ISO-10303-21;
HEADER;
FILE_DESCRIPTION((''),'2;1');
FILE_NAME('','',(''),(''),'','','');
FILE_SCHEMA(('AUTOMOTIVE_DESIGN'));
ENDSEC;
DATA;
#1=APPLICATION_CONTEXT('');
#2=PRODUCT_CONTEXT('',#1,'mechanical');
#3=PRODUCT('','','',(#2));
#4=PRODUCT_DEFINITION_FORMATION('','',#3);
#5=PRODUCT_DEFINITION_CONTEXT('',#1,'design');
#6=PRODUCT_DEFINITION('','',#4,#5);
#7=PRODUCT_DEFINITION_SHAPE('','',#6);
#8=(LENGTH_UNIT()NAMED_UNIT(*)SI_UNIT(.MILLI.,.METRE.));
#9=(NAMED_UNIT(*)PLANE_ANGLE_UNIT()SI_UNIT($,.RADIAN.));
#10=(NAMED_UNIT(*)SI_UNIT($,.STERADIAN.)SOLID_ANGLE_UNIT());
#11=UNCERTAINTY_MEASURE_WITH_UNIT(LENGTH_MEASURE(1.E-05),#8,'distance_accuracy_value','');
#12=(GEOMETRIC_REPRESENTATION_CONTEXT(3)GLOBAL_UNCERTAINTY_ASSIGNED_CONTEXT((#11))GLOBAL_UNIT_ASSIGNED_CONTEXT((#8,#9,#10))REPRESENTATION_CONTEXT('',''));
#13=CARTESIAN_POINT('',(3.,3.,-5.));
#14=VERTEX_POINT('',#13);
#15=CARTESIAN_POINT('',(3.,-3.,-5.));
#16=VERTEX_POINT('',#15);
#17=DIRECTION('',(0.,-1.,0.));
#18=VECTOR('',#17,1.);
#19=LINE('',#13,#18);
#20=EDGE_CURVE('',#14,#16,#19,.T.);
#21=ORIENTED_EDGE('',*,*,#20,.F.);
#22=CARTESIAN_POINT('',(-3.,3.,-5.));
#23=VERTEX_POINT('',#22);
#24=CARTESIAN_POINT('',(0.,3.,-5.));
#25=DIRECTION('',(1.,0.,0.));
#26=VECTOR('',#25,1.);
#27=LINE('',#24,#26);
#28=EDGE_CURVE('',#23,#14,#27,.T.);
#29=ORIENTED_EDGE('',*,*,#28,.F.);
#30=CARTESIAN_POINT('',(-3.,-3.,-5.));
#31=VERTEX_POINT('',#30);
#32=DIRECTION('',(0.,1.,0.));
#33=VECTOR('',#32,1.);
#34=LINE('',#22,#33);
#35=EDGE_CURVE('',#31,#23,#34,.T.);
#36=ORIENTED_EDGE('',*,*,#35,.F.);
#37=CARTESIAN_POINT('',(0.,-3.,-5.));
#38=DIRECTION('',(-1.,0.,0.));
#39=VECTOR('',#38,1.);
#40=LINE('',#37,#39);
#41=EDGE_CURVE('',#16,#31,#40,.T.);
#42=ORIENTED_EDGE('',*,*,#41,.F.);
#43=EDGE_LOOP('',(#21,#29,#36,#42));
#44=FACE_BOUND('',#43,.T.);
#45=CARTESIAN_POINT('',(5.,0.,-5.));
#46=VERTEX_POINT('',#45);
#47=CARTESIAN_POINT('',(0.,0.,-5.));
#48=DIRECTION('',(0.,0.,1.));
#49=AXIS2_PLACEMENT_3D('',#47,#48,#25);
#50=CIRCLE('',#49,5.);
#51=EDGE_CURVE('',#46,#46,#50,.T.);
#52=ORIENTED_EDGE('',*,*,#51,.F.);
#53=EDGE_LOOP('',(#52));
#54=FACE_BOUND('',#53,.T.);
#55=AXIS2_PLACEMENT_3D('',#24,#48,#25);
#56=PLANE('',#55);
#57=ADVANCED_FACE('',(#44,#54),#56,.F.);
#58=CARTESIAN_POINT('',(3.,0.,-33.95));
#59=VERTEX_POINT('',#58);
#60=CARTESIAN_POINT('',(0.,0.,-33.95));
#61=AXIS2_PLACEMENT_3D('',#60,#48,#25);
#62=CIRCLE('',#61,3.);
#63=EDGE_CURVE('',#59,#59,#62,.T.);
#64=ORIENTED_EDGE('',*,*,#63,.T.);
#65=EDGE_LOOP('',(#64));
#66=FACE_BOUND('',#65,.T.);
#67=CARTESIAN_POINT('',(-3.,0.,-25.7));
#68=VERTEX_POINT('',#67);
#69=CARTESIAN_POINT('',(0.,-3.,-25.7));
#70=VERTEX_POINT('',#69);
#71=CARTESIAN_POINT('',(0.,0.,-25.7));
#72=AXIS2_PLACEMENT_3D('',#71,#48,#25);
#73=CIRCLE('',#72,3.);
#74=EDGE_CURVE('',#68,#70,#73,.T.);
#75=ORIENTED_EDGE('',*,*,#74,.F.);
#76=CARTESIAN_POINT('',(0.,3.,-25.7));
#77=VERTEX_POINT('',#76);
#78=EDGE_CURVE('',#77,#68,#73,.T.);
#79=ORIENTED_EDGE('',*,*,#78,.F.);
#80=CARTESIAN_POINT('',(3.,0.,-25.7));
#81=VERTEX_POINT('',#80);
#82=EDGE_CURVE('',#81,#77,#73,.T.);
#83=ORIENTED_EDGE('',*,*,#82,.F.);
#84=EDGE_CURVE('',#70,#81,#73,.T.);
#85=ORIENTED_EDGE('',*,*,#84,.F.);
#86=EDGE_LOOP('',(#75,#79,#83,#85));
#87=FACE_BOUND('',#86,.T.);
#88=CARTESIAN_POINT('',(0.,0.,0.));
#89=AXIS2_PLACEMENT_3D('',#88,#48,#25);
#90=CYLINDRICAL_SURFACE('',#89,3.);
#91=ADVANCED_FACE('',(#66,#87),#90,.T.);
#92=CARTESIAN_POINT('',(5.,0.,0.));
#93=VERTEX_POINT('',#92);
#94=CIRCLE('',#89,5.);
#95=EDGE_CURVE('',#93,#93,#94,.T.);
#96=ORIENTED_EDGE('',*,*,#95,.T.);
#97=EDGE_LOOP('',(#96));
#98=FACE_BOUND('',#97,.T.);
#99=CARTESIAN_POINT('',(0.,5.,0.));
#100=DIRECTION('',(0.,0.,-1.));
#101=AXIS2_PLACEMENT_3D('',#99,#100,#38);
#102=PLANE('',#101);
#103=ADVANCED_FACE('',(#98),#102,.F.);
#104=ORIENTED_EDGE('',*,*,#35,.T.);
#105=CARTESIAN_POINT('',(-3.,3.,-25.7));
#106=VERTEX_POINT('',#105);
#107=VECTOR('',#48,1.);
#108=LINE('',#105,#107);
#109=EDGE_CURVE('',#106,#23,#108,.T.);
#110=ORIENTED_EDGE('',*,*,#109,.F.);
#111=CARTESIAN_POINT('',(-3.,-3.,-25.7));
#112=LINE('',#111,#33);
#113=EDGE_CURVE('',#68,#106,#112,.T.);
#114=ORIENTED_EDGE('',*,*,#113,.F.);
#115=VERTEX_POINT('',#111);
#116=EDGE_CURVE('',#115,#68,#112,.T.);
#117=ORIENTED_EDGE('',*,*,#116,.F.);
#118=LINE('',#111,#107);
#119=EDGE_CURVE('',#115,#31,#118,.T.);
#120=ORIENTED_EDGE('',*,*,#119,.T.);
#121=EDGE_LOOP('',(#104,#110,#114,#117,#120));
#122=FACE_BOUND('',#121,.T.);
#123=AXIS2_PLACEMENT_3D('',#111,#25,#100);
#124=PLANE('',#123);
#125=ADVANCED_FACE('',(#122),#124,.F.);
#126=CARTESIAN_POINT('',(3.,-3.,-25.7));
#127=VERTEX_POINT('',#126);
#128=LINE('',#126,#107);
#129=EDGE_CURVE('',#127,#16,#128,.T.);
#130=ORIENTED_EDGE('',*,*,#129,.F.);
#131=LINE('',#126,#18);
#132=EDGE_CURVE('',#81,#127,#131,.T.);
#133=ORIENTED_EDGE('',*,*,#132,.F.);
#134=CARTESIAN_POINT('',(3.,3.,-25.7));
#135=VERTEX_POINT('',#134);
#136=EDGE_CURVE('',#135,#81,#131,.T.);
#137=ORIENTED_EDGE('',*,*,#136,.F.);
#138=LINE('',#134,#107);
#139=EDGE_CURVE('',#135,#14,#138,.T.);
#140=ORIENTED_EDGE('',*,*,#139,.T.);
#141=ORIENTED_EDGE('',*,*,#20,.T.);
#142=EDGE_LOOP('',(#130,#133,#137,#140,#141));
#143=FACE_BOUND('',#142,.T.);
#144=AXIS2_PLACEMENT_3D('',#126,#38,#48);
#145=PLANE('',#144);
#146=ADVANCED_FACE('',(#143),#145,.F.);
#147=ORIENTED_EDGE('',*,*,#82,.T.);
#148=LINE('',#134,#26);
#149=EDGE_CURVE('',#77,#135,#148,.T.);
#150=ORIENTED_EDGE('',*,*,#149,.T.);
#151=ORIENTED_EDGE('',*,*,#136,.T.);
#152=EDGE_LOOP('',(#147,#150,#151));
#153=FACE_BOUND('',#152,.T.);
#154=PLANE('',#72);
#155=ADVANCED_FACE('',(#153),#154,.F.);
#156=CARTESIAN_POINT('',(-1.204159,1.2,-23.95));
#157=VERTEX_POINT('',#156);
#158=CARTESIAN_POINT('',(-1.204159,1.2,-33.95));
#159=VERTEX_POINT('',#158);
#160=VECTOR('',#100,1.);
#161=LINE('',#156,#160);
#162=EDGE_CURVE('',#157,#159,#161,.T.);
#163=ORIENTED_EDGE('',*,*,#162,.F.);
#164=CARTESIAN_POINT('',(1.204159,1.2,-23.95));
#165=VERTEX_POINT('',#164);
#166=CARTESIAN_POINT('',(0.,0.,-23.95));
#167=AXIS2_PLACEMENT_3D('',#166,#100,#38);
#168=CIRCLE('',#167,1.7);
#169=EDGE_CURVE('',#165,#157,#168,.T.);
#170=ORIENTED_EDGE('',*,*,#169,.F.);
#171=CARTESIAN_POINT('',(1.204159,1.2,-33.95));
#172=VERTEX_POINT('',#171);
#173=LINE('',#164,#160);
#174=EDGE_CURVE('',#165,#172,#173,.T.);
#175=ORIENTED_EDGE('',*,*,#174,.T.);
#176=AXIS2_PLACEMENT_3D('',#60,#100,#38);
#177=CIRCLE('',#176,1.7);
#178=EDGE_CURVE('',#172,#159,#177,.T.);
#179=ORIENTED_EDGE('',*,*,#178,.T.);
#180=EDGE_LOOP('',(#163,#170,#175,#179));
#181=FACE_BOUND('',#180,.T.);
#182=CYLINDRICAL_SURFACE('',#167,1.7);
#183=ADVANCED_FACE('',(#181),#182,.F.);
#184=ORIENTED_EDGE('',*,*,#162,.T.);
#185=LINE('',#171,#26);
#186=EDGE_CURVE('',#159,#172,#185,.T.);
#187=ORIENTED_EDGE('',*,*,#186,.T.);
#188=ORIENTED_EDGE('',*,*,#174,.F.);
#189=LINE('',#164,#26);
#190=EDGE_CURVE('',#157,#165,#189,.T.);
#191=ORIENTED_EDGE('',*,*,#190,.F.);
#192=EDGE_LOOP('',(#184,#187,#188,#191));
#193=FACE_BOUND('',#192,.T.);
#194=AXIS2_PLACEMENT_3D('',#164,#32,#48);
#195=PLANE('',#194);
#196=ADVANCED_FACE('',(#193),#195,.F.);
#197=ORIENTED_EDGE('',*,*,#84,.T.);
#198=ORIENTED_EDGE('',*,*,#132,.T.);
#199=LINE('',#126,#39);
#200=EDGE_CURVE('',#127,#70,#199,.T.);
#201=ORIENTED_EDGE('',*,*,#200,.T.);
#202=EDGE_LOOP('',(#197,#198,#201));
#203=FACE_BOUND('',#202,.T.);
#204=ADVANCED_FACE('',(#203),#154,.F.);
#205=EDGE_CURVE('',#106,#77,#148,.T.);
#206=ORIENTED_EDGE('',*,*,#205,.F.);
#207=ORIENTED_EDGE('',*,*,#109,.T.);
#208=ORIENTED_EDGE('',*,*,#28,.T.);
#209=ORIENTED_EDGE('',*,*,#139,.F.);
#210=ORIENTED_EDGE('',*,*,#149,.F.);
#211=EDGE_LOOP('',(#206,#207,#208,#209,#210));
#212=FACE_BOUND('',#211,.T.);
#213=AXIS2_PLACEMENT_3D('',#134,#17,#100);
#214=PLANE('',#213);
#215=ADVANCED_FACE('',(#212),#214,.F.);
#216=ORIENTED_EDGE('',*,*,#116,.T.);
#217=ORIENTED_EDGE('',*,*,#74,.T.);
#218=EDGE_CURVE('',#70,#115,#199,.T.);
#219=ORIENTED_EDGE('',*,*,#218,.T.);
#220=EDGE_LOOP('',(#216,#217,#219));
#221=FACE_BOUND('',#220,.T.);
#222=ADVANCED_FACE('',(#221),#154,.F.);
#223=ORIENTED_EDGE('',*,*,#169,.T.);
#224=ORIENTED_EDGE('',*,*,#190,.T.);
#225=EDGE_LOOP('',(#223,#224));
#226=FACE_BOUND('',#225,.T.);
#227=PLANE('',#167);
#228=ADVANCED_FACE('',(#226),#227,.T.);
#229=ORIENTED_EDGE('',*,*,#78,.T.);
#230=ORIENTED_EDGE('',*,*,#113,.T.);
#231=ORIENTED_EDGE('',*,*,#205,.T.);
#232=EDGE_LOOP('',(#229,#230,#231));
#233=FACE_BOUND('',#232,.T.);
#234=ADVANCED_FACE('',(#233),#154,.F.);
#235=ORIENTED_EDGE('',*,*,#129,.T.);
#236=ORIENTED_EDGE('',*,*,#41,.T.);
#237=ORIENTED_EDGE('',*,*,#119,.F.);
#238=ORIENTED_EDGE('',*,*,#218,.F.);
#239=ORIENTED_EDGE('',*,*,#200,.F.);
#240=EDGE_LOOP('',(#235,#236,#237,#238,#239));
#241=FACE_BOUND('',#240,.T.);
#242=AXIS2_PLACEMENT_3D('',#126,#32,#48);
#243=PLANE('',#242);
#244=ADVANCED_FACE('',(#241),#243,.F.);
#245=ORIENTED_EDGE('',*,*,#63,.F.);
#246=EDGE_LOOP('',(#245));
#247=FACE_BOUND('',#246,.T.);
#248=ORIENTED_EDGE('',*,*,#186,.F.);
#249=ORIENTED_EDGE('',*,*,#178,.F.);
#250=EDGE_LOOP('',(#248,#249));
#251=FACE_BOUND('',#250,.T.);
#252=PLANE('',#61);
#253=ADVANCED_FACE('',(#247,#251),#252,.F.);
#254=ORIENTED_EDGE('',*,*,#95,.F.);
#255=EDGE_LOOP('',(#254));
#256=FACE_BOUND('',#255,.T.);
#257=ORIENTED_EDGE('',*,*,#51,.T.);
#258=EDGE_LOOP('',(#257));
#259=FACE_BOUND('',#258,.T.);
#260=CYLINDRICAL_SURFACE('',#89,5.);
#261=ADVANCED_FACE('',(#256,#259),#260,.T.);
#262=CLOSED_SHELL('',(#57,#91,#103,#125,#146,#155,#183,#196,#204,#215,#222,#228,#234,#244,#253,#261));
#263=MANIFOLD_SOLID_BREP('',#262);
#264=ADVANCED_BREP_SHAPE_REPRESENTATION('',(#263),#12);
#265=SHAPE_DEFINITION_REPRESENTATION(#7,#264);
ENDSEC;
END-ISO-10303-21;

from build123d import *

# Parameters (mm, degrees)
ESQUISSE6_W             = 6
ESQUISSE6_H             = 6
BOSS_EXTRU_2_DEPTH      = 20.7
ENL_V_MAT_EXTRU_1_DEPTH = 10


with BuildPart() as part:
    # Esquisse2 → Révolution1 (revolve)
    with BuildSketch(Plane(origin=(0, 0, 0), x_dir=(0, 0, -1), z_dir=(1, 0, 0))):
        Polygon((0, 0), (33.95, 0), (33.95, 3), (5, 3), (5, 5), (0, 5), align=None)
    revolve(axis=Axis((0, 0, 0), (0, 0, -1)))

    # Esquisse6 → Boss.-Extru.2 (add)
    with BuildSketch(Plane(origin=(0, 0, -5), x_dir=(-1, 0, 0), z_dir=(0, 0, -1))):
        Rectangle(ESQUISSE6_W, ESQUISSE6_H)
    extrude(amount=BOSS_EXTRU_2_DEPTH)

    # Esquisse4 → Enlèv. mat.-Extru.1 (cut)
    with BuildSketch(Plane(origin=(0, 0, -33.95), x_dir=(-1, 0, 0), z_dir=(0, 0, -1))):
        with BuildLine():
            Line((-1.204159458, 1.2), (1.204159458, 1.2))
            ThreePointArc((1.204159458, 1.2), (0, -1.7), (-1.204159458, 1.2))
        make_face()
    extrude(amount=-ENL_V_MAT_EXTRU_1_DEPTH, mode=Mode.SUBTRACT)


solid = part.part
